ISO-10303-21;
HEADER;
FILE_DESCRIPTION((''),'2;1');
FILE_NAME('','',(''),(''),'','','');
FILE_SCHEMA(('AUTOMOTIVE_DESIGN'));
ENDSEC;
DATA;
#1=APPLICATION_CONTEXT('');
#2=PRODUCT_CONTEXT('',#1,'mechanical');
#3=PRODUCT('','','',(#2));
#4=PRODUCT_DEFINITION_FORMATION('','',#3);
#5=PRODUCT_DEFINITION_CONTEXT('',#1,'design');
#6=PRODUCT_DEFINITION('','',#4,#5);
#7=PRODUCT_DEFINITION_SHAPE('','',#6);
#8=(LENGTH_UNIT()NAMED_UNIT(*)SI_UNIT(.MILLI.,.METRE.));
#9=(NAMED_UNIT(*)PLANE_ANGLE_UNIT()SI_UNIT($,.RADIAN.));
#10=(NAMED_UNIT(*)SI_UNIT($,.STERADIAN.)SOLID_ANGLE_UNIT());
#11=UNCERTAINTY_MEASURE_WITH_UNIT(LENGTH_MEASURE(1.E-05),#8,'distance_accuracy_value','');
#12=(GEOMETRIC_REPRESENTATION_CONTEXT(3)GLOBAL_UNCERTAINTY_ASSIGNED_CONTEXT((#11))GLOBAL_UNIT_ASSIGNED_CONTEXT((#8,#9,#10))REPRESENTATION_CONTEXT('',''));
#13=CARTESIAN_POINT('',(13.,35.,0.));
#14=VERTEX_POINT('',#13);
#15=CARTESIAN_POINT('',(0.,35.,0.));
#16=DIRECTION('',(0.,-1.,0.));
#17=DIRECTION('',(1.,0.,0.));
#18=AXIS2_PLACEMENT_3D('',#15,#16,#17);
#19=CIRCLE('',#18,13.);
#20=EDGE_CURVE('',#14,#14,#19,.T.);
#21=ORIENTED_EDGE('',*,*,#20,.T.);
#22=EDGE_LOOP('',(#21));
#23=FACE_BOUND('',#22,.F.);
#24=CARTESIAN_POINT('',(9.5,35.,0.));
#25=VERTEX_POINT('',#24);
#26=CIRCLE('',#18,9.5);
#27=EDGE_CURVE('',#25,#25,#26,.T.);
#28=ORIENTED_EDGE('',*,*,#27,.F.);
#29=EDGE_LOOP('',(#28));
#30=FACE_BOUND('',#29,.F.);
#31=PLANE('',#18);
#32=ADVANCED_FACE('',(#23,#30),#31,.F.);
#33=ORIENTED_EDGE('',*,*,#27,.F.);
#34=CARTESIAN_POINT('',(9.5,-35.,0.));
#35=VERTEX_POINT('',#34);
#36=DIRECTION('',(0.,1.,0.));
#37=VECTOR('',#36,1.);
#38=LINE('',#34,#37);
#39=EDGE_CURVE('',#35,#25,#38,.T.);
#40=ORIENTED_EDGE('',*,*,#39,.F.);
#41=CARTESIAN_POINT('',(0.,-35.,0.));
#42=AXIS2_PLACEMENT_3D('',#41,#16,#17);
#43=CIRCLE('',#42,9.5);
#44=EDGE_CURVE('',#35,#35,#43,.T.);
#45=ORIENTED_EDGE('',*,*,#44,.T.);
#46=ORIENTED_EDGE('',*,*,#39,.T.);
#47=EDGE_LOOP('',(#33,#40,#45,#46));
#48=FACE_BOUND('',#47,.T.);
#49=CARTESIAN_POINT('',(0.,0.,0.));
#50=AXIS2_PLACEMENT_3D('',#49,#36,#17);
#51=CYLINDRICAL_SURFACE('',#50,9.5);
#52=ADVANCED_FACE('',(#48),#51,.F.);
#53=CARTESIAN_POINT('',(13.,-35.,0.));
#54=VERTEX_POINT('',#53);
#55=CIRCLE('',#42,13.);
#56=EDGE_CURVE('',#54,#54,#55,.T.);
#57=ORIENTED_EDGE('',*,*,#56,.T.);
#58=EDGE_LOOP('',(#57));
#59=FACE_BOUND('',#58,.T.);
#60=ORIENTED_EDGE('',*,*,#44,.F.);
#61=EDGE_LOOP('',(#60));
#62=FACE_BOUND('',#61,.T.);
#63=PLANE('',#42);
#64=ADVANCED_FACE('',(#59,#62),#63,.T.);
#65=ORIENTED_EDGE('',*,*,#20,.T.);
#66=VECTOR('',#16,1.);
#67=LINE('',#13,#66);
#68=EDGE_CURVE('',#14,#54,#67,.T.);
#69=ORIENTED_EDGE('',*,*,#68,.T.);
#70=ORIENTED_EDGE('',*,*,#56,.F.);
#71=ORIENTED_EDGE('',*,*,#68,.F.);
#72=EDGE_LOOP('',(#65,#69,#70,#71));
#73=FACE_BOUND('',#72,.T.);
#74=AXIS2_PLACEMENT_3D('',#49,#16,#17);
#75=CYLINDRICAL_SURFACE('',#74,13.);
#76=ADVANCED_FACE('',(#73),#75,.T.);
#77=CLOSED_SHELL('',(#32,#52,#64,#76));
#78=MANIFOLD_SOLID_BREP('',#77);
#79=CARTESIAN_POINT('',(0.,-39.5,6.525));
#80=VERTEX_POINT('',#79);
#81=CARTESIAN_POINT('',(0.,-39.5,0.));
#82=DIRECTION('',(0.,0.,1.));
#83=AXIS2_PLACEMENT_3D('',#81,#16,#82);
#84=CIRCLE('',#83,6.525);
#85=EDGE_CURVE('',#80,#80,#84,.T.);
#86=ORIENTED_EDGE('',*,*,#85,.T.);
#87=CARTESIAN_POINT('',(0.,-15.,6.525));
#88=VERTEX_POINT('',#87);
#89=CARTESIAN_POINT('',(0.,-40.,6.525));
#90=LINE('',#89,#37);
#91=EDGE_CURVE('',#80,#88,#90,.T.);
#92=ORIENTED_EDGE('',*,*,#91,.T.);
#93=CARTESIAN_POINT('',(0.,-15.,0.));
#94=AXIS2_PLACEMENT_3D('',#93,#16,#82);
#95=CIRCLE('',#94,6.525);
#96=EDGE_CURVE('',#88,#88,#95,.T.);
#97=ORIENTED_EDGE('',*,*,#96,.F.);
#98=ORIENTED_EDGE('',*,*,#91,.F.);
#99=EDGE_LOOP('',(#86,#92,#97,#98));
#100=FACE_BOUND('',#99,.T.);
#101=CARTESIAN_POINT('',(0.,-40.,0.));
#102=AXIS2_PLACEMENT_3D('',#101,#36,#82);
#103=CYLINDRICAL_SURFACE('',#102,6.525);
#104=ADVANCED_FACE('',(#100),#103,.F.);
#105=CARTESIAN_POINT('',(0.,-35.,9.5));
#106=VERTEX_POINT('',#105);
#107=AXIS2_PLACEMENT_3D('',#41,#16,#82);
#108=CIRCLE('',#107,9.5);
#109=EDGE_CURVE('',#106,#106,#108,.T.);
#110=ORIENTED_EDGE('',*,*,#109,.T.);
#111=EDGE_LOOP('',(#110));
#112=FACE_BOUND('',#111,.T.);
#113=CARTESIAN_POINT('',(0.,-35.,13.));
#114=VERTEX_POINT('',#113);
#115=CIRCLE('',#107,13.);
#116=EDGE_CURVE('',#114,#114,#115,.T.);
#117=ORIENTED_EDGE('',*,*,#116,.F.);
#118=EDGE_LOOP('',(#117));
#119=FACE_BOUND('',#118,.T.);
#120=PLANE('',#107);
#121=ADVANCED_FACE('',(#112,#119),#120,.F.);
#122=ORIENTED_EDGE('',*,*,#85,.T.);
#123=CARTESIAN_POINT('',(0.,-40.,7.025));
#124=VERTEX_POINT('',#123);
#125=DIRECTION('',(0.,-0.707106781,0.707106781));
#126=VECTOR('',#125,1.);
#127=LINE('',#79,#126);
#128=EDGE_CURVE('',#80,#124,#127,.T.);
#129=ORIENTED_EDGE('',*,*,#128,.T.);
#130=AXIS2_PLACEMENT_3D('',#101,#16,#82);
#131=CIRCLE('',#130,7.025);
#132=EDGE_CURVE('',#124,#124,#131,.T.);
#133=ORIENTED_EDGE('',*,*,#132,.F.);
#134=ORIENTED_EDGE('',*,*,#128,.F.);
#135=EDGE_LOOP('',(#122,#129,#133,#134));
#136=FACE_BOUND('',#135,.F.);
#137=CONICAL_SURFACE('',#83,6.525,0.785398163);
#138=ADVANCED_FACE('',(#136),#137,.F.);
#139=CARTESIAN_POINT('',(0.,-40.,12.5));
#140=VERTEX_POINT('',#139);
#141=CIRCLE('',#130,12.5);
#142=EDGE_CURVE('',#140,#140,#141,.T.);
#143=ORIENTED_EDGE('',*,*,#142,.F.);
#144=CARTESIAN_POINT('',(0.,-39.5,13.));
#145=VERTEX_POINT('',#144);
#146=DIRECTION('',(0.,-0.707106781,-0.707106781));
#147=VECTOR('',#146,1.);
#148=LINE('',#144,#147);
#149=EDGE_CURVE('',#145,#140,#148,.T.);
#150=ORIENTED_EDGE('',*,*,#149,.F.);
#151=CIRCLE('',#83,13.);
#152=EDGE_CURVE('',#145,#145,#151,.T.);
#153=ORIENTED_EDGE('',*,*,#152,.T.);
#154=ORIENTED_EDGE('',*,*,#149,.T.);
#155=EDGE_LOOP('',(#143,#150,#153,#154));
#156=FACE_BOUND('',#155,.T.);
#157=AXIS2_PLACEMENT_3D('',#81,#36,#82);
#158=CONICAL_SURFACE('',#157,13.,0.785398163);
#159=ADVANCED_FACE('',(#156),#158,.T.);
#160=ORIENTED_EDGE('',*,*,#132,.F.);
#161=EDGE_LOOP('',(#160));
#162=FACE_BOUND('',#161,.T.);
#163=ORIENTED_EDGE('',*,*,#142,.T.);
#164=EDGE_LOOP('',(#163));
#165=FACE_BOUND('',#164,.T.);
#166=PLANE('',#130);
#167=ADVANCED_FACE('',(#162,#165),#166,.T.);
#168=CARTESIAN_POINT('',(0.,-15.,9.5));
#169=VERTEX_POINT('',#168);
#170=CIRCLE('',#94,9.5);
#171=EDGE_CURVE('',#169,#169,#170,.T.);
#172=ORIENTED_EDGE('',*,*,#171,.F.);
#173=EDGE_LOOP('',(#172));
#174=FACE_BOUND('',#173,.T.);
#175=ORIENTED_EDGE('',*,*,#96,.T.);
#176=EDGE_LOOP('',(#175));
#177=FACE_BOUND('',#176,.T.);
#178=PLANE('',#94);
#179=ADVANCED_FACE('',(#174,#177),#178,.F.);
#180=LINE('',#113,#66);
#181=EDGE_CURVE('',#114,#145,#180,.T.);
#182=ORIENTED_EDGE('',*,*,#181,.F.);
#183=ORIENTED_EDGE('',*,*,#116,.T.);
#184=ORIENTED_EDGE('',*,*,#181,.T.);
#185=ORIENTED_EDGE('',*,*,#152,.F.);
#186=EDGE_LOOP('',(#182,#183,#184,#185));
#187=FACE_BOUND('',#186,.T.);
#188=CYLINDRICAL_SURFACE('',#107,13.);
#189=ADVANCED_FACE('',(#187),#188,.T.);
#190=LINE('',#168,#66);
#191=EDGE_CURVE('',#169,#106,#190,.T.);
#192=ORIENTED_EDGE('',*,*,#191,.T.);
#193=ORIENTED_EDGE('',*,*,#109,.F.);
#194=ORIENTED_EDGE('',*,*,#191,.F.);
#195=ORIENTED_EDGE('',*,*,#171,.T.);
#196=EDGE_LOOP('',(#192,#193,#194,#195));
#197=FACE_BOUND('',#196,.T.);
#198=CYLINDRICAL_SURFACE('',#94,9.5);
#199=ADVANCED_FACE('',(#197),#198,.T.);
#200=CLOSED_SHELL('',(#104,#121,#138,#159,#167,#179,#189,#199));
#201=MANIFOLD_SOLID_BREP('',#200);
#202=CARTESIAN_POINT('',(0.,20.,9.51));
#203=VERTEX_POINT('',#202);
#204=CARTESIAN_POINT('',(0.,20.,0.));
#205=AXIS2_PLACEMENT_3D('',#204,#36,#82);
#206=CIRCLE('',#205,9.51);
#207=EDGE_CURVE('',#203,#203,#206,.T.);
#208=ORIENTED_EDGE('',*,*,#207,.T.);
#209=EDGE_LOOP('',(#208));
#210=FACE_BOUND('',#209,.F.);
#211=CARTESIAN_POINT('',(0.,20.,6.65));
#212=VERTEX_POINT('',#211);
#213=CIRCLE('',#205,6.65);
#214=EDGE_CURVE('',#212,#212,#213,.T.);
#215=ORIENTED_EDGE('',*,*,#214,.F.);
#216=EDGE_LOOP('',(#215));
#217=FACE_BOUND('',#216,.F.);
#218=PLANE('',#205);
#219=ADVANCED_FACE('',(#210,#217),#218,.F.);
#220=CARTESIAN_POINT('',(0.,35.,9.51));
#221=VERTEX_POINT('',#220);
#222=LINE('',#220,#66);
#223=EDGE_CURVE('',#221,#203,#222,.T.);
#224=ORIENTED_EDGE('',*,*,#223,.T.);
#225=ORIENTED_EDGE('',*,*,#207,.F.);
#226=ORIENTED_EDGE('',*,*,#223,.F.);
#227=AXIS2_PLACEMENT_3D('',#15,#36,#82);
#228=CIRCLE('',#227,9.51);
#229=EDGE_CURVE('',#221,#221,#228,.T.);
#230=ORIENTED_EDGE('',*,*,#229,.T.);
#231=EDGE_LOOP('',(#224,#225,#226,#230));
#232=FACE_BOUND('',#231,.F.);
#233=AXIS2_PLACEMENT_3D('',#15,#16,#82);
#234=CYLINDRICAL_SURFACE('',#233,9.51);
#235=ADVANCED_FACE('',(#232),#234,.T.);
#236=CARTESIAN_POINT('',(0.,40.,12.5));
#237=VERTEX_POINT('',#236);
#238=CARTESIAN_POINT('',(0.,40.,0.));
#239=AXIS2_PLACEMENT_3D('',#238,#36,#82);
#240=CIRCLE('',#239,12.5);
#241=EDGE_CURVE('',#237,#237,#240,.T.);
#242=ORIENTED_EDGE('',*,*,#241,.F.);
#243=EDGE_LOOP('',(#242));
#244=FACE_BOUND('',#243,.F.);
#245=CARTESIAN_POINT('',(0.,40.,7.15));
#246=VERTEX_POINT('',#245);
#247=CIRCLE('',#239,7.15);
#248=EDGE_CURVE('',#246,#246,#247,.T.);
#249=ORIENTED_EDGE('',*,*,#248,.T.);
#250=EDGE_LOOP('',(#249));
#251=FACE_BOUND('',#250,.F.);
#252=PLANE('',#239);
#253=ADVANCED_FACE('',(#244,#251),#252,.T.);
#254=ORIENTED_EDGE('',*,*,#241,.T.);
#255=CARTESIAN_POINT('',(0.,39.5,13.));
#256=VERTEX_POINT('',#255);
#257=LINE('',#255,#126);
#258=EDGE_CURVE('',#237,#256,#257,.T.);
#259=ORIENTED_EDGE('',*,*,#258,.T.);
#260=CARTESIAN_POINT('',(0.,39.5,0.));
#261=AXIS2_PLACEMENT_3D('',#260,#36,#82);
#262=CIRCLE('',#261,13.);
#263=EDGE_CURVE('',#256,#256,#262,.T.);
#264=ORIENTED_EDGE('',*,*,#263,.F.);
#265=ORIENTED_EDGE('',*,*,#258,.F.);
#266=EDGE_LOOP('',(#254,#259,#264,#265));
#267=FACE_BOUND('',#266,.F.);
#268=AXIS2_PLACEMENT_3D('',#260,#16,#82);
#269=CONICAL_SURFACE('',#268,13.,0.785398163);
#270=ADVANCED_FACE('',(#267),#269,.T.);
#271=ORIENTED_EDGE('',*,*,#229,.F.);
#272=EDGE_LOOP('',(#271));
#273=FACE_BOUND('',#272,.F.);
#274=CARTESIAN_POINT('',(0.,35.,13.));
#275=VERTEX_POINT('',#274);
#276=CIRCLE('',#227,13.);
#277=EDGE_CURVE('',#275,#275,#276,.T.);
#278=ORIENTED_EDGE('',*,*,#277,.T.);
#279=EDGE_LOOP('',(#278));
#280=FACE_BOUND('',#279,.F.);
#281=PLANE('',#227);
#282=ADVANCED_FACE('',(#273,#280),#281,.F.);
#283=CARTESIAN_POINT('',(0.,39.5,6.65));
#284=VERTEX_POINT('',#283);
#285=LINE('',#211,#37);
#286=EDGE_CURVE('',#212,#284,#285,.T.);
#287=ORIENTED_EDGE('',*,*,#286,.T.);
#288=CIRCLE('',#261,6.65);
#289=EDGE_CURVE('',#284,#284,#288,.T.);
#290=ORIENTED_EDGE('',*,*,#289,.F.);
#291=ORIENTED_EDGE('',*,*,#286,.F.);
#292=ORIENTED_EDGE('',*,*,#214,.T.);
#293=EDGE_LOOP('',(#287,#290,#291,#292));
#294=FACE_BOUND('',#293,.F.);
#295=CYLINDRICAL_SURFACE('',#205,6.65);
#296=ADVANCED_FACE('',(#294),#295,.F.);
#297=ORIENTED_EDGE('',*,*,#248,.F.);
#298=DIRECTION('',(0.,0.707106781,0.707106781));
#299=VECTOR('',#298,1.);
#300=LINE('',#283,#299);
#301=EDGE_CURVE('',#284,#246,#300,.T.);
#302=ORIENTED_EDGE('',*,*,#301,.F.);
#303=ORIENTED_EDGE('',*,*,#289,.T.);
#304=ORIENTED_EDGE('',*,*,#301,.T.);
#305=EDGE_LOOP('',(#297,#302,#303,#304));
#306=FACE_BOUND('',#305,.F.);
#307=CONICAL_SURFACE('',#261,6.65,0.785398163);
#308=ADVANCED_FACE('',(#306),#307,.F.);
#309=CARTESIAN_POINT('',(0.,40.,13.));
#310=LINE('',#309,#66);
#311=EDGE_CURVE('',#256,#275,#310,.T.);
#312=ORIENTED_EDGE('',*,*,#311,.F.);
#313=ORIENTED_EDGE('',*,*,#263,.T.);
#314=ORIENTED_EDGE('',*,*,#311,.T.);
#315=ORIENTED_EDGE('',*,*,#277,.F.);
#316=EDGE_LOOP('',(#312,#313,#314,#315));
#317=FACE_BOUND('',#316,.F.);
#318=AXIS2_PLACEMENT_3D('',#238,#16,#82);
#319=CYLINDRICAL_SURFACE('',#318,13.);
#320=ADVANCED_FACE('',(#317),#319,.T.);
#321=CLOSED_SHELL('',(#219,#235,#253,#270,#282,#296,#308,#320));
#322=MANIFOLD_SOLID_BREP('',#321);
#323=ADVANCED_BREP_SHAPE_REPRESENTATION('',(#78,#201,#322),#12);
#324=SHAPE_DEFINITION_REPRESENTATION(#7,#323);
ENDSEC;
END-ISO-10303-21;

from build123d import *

# Parameters (mm, degrees)
F0_R      = 13
F0_R_2    = 9.5
F1_DEPTH  = 35
F6_SIZE   = 0.5
F6_2_SIZE = 0.5


with BuildPart() as f1:
    # F0 (on Front) → F1 (new body, symmetric)
    with BuildSketch(Plane.XZ):
        Circle(F0_R)
        Circle(F0_R_2, mode=Mode.SUBTRACT)
    extrude(amount=F1_DEPTH, both=True)


with BuildPart() as f3:
    # F2 (on Right) → F3 (revolve)
    with BuildSketch(Plane.YZ):
        Polygon((-40, 6.525), (-15, 6.525), (-15, 9.5), (-35, 9.5), (-35, 13), (-40, 13), align=None)
    revolve(axis=Axis((0, -23.343612, 0), (0, -1, 0)))

    # F6#2
    f6_2_edges = [f3.edges().sort_by_distance(p)[0] for p in [
        (0, -40, -13),
        (0, -40, -6.525),
    ]]
    chamfer(f6_2_edges, length=F6_2_SIZE)


with BuildPart() as f5:
    # F4 (on Right) → F5 (revolve)
    with BuildSketch(Plane.YZ):
        Polygon((35, 9.51), (20, 9.51), (20, 6.65), (40, 6.65), (40, 13), (35, 13), align=None)
    revolve(axis=Axis((0, 24.280891, 0), (0, 1, 0)))

    # F6
    f6_edges = [f5.edges().sort_by_distance(p)[0] for p in [
        (0, 40, -6.65),
        (0, 40, -13),
    ]]
    chamfer(f6_edges, length=F6_SIZE)


solid = Compound([f1.part, f3.part, f5.part])
